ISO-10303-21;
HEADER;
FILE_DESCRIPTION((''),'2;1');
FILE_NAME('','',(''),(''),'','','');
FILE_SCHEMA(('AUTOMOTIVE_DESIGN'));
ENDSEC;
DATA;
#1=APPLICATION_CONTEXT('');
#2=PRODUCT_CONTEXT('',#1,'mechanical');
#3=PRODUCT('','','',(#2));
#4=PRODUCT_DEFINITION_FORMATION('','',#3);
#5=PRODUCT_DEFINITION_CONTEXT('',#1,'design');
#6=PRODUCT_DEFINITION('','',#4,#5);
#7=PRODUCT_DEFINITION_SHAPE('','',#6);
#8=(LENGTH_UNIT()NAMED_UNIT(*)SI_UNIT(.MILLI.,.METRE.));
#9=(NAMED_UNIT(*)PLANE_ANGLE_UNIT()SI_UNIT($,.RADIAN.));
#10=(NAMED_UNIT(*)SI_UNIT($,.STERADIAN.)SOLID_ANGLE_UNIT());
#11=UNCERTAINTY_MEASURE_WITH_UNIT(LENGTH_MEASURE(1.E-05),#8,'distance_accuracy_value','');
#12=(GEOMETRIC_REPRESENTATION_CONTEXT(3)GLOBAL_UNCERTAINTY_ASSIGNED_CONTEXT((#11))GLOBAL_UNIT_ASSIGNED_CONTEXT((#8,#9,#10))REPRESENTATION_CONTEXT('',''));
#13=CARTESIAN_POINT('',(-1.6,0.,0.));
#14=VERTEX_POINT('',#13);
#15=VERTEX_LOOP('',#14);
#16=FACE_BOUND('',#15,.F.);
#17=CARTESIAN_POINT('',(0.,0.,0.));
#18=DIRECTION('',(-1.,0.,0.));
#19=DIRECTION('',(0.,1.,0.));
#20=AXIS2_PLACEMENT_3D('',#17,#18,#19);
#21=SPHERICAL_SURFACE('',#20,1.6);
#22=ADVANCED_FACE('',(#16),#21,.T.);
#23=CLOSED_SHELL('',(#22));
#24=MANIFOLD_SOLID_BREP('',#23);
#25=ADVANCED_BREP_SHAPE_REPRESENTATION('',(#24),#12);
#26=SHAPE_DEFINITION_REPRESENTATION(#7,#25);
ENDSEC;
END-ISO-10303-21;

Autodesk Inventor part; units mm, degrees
sketch "Sketch_1" plane through (0, 0, 0) normal (0, 0, 1) x (1, 0, 0)
  line L0 (1.6, 0) -> (-1.6, 0)
  arc A0 (1.6, 0) -> (-1.6, 0) centre (0, 0) ccw
  line L1 (1.6, 0) -> (-1.6, 0)
revolve "Revolution1" add sketch "Sketch_1" angle 360 about axis through (1.6, 0, 0) along (1, 0, 0)
ref_plane "Ball_OR_XY" through (0, 0, 0) normal (1, 0, 0) x (0, 0, -1)
ref_plane "Ball_OR_YZ" through (0, 0, 0) normal (0, 0, -1) x (0, 1, 0)
ref_plane "Ball_OR_ZX" through (0, 0, 0) normal (0, 1, 0) x (1, 0, 0)
properties part number "040102DR-18-H8_ball"
